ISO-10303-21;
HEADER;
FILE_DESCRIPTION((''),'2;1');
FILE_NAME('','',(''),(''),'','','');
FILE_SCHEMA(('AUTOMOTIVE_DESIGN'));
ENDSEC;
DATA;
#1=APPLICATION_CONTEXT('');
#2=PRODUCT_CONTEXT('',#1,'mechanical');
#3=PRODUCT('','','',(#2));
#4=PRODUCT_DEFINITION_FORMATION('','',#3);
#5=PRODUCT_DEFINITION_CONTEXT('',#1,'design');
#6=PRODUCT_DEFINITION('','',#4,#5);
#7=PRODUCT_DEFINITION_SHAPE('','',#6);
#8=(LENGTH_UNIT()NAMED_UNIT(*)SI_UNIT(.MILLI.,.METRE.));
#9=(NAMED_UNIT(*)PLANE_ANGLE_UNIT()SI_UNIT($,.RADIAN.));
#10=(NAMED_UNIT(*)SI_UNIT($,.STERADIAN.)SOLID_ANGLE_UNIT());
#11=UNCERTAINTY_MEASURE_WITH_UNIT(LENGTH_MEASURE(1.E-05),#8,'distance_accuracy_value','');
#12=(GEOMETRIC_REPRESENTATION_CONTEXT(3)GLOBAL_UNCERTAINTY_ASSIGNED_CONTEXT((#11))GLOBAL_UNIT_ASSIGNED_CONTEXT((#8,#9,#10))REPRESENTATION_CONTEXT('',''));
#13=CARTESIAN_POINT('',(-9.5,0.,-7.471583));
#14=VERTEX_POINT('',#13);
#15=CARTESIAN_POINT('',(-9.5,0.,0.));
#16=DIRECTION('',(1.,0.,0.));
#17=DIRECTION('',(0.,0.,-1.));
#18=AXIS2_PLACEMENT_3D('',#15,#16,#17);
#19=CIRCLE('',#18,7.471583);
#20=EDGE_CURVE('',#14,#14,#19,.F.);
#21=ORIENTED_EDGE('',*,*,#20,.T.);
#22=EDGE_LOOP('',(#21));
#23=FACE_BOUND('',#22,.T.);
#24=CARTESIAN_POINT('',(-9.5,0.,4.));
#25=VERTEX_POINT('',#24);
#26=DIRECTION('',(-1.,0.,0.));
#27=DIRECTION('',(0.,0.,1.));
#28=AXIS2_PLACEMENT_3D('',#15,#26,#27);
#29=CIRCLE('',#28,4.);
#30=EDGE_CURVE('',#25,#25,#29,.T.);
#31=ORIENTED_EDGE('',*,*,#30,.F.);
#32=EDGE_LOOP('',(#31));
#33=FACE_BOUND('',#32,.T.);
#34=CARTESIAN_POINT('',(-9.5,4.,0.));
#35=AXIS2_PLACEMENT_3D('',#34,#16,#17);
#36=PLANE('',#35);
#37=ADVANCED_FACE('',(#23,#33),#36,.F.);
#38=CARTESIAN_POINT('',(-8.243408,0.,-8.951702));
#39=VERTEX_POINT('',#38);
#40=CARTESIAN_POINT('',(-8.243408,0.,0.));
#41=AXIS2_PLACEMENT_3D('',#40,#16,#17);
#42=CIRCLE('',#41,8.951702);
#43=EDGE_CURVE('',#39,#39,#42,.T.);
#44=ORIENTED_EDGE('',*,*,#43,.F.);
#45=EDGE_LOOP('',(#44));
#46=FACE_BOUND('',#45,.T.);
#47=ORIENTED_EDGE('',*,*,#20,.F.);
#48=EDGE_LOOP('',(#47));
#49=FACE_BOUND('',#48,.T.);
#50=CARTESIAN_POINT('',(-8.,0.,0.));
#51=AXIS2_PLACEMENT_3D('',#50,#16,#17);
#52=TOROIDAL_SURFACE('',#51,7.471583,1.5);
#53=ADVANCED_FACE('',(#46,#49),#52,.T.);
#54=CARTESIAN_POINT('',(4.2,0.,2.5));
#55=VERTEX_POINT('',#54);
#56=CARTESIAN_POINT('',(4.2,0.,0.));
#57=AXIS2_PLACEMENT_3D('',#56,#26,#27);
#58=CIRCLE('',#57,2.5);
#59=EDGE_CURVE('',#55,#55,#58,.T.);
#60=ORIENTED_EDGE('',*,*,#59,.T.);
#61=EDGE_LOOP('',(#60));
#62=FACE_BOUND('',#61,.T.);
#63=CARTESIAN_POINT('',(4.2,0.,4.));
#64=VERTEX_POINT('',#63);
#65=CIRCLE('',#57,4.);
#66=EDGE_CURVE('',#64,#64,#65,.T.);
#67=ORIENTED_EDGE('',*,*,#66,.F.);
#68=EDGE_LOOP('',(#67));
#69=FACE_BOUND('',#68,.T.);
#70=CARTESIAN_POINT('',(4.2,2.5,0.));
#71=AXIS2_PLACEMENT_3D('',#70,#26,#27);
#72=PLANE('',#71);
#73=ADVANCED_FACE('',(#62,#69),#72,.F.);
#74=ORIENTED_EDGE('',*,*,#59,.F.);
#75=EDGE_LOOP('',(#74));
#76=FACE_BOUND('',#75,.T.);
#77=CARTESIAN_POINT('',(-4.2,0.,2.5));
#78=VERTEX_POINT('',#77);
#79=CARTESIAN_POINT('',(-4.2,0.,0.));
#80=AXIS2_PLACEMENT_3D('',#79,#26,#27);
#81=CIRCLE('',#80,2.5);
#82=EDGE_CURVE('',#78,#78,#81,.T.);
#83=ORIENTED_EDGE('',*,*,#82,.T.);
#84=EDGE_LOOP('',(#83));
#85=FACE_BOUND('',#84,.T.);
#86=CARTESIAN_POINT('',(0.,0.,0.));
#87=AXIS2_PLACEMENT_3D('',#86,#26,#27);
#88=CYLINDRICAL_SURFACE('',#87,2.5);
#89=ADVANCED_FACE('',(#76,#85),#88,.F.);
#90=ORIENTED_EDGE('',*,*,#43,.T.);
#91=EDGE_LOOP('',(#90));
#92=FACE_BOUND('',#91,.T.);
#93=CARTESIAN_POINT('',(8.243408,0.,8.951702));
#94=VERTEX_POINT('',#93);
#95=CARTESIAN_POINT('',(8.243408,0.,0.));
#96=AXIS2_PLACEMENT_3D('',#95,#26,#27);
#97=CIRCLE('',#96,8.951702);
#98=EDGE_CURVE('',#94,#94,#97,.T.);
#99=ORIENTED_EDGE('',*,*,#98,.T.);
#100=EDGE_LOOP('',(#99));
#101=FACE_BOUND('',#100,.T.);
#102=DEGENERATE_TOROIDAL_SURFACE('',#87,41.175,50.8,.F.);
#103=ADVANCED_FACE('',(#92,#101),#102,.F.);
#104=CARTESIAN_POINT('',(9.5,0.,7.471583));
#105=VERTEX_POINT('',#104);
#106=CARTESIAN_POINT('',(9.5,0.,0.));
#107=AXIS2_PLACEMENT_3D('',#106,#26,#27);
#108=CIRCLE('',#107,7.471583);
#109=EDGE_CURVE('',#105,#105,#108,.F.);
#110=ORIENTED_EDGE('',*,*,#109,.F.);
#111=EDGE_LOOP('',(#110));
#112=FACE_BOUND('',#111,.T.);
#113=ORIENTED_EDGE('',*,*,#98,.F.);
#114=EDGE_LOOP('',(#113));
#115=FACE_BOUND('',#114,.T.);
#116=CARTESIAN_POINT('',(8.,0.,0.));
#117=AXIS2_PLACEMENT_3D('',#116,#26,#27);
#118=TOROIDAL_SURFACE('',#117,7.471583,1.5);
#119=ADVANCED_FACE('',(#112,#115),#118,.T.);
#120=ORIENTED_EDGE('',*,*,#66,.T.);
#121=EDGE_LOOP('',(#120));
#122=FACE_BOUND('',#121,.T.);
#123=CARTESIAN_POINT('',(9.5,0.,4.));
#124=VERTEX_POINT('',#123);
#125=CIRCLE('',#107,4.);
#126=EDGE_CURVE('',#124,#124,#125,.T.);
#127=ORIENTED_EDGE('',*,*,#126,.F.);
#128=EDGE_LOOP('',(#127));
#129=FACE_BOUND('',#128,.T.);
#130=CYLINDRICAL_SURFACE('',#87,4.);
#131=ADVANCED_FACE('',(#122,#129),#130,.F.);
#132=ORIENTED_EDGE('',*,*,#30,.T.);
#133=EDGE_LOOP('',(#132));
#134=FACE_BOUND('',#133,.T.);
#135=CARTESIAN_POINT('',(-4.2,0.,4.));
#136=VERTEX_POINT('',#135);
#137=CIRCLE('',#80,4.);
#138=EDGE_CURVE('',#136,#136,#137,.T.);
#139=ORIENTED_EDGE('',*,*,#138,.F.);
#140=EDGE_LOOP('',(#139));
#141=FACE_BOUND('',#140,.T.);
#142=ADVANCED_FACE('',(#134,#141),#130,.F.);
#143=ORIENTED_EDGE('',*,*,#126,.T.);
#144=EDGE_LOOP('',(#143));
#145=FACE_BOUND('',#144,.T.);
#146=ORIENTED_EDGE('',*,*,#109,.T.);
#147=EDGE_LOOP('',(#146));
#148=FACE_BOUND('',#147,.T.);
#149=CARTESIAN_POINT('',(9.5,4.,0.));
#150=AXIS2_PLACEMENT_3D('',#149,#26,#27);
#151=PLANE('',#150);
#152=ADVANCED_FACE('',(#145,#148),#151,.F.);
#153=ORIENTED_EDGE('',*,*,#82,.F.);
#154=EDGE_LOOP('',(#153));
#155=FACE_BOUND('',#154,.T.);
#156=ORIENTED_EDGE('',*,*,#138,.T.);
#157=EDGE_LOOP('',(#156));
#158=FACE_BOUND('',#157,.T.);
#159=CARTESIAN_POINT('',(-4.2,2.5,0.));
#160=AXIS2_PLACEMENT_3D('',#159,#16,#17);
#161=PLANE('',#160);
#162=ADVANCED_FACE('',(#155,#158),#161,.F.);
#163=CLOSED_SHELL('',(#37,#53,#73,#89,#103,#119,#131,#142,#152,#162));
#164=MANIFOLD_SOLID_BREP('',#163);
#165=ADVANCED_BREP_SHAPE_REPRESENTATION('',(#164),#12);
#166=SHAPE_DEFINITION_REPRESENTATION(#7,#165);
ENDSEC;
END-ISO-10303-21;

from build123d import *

# Parameters (mm, degrees)
FILLET_1_R = 1.5


with BuildPart() as part:
    # ｽｹｯﾁ1 → 回転1 (revolve)
    with BuildSketch(Plane.XY, mode=Mode.PRIVATE) as revolve_1_sk:
        with BuildLine():
            Line((4.2, 2.5), (-4.2, 2.5))
            Line((-4.2, 2.5), (-4.2, 4))
            Line((-4.2, 4), (-9.5, 4))
            Line((-9.5, 4), (-9.5, 8.72880747))
            ThreePointArc((-9.5, 8.72880747), (0, 9.625), (9.5, 8.72880747))
            Line((9.5, 8.72880747), (9.5, 4))
            Line((9.5, 4), (4.2, 4))
            Line((4.2, 4), (4.2, 2.5))
        make_face()
    revolve(revolve_1_sk.sketch.rotate(Axis((0, 0, 0), (1, 0, 0)), 90), axis=Axis((0, 0, 0), (1, 0, 0)))

    # ﾌｨﾚｯﾄ1
    fillet_1_edges = [part.edges().sort_by_distance(p)[0] for p in [
        (9.5, 0, -8.72880747),
        (-9.5, 0, -8.72880747),
    ]]
    fillet(fillet_1_edges, radius=FILLET_1_R)


solid = part.part
